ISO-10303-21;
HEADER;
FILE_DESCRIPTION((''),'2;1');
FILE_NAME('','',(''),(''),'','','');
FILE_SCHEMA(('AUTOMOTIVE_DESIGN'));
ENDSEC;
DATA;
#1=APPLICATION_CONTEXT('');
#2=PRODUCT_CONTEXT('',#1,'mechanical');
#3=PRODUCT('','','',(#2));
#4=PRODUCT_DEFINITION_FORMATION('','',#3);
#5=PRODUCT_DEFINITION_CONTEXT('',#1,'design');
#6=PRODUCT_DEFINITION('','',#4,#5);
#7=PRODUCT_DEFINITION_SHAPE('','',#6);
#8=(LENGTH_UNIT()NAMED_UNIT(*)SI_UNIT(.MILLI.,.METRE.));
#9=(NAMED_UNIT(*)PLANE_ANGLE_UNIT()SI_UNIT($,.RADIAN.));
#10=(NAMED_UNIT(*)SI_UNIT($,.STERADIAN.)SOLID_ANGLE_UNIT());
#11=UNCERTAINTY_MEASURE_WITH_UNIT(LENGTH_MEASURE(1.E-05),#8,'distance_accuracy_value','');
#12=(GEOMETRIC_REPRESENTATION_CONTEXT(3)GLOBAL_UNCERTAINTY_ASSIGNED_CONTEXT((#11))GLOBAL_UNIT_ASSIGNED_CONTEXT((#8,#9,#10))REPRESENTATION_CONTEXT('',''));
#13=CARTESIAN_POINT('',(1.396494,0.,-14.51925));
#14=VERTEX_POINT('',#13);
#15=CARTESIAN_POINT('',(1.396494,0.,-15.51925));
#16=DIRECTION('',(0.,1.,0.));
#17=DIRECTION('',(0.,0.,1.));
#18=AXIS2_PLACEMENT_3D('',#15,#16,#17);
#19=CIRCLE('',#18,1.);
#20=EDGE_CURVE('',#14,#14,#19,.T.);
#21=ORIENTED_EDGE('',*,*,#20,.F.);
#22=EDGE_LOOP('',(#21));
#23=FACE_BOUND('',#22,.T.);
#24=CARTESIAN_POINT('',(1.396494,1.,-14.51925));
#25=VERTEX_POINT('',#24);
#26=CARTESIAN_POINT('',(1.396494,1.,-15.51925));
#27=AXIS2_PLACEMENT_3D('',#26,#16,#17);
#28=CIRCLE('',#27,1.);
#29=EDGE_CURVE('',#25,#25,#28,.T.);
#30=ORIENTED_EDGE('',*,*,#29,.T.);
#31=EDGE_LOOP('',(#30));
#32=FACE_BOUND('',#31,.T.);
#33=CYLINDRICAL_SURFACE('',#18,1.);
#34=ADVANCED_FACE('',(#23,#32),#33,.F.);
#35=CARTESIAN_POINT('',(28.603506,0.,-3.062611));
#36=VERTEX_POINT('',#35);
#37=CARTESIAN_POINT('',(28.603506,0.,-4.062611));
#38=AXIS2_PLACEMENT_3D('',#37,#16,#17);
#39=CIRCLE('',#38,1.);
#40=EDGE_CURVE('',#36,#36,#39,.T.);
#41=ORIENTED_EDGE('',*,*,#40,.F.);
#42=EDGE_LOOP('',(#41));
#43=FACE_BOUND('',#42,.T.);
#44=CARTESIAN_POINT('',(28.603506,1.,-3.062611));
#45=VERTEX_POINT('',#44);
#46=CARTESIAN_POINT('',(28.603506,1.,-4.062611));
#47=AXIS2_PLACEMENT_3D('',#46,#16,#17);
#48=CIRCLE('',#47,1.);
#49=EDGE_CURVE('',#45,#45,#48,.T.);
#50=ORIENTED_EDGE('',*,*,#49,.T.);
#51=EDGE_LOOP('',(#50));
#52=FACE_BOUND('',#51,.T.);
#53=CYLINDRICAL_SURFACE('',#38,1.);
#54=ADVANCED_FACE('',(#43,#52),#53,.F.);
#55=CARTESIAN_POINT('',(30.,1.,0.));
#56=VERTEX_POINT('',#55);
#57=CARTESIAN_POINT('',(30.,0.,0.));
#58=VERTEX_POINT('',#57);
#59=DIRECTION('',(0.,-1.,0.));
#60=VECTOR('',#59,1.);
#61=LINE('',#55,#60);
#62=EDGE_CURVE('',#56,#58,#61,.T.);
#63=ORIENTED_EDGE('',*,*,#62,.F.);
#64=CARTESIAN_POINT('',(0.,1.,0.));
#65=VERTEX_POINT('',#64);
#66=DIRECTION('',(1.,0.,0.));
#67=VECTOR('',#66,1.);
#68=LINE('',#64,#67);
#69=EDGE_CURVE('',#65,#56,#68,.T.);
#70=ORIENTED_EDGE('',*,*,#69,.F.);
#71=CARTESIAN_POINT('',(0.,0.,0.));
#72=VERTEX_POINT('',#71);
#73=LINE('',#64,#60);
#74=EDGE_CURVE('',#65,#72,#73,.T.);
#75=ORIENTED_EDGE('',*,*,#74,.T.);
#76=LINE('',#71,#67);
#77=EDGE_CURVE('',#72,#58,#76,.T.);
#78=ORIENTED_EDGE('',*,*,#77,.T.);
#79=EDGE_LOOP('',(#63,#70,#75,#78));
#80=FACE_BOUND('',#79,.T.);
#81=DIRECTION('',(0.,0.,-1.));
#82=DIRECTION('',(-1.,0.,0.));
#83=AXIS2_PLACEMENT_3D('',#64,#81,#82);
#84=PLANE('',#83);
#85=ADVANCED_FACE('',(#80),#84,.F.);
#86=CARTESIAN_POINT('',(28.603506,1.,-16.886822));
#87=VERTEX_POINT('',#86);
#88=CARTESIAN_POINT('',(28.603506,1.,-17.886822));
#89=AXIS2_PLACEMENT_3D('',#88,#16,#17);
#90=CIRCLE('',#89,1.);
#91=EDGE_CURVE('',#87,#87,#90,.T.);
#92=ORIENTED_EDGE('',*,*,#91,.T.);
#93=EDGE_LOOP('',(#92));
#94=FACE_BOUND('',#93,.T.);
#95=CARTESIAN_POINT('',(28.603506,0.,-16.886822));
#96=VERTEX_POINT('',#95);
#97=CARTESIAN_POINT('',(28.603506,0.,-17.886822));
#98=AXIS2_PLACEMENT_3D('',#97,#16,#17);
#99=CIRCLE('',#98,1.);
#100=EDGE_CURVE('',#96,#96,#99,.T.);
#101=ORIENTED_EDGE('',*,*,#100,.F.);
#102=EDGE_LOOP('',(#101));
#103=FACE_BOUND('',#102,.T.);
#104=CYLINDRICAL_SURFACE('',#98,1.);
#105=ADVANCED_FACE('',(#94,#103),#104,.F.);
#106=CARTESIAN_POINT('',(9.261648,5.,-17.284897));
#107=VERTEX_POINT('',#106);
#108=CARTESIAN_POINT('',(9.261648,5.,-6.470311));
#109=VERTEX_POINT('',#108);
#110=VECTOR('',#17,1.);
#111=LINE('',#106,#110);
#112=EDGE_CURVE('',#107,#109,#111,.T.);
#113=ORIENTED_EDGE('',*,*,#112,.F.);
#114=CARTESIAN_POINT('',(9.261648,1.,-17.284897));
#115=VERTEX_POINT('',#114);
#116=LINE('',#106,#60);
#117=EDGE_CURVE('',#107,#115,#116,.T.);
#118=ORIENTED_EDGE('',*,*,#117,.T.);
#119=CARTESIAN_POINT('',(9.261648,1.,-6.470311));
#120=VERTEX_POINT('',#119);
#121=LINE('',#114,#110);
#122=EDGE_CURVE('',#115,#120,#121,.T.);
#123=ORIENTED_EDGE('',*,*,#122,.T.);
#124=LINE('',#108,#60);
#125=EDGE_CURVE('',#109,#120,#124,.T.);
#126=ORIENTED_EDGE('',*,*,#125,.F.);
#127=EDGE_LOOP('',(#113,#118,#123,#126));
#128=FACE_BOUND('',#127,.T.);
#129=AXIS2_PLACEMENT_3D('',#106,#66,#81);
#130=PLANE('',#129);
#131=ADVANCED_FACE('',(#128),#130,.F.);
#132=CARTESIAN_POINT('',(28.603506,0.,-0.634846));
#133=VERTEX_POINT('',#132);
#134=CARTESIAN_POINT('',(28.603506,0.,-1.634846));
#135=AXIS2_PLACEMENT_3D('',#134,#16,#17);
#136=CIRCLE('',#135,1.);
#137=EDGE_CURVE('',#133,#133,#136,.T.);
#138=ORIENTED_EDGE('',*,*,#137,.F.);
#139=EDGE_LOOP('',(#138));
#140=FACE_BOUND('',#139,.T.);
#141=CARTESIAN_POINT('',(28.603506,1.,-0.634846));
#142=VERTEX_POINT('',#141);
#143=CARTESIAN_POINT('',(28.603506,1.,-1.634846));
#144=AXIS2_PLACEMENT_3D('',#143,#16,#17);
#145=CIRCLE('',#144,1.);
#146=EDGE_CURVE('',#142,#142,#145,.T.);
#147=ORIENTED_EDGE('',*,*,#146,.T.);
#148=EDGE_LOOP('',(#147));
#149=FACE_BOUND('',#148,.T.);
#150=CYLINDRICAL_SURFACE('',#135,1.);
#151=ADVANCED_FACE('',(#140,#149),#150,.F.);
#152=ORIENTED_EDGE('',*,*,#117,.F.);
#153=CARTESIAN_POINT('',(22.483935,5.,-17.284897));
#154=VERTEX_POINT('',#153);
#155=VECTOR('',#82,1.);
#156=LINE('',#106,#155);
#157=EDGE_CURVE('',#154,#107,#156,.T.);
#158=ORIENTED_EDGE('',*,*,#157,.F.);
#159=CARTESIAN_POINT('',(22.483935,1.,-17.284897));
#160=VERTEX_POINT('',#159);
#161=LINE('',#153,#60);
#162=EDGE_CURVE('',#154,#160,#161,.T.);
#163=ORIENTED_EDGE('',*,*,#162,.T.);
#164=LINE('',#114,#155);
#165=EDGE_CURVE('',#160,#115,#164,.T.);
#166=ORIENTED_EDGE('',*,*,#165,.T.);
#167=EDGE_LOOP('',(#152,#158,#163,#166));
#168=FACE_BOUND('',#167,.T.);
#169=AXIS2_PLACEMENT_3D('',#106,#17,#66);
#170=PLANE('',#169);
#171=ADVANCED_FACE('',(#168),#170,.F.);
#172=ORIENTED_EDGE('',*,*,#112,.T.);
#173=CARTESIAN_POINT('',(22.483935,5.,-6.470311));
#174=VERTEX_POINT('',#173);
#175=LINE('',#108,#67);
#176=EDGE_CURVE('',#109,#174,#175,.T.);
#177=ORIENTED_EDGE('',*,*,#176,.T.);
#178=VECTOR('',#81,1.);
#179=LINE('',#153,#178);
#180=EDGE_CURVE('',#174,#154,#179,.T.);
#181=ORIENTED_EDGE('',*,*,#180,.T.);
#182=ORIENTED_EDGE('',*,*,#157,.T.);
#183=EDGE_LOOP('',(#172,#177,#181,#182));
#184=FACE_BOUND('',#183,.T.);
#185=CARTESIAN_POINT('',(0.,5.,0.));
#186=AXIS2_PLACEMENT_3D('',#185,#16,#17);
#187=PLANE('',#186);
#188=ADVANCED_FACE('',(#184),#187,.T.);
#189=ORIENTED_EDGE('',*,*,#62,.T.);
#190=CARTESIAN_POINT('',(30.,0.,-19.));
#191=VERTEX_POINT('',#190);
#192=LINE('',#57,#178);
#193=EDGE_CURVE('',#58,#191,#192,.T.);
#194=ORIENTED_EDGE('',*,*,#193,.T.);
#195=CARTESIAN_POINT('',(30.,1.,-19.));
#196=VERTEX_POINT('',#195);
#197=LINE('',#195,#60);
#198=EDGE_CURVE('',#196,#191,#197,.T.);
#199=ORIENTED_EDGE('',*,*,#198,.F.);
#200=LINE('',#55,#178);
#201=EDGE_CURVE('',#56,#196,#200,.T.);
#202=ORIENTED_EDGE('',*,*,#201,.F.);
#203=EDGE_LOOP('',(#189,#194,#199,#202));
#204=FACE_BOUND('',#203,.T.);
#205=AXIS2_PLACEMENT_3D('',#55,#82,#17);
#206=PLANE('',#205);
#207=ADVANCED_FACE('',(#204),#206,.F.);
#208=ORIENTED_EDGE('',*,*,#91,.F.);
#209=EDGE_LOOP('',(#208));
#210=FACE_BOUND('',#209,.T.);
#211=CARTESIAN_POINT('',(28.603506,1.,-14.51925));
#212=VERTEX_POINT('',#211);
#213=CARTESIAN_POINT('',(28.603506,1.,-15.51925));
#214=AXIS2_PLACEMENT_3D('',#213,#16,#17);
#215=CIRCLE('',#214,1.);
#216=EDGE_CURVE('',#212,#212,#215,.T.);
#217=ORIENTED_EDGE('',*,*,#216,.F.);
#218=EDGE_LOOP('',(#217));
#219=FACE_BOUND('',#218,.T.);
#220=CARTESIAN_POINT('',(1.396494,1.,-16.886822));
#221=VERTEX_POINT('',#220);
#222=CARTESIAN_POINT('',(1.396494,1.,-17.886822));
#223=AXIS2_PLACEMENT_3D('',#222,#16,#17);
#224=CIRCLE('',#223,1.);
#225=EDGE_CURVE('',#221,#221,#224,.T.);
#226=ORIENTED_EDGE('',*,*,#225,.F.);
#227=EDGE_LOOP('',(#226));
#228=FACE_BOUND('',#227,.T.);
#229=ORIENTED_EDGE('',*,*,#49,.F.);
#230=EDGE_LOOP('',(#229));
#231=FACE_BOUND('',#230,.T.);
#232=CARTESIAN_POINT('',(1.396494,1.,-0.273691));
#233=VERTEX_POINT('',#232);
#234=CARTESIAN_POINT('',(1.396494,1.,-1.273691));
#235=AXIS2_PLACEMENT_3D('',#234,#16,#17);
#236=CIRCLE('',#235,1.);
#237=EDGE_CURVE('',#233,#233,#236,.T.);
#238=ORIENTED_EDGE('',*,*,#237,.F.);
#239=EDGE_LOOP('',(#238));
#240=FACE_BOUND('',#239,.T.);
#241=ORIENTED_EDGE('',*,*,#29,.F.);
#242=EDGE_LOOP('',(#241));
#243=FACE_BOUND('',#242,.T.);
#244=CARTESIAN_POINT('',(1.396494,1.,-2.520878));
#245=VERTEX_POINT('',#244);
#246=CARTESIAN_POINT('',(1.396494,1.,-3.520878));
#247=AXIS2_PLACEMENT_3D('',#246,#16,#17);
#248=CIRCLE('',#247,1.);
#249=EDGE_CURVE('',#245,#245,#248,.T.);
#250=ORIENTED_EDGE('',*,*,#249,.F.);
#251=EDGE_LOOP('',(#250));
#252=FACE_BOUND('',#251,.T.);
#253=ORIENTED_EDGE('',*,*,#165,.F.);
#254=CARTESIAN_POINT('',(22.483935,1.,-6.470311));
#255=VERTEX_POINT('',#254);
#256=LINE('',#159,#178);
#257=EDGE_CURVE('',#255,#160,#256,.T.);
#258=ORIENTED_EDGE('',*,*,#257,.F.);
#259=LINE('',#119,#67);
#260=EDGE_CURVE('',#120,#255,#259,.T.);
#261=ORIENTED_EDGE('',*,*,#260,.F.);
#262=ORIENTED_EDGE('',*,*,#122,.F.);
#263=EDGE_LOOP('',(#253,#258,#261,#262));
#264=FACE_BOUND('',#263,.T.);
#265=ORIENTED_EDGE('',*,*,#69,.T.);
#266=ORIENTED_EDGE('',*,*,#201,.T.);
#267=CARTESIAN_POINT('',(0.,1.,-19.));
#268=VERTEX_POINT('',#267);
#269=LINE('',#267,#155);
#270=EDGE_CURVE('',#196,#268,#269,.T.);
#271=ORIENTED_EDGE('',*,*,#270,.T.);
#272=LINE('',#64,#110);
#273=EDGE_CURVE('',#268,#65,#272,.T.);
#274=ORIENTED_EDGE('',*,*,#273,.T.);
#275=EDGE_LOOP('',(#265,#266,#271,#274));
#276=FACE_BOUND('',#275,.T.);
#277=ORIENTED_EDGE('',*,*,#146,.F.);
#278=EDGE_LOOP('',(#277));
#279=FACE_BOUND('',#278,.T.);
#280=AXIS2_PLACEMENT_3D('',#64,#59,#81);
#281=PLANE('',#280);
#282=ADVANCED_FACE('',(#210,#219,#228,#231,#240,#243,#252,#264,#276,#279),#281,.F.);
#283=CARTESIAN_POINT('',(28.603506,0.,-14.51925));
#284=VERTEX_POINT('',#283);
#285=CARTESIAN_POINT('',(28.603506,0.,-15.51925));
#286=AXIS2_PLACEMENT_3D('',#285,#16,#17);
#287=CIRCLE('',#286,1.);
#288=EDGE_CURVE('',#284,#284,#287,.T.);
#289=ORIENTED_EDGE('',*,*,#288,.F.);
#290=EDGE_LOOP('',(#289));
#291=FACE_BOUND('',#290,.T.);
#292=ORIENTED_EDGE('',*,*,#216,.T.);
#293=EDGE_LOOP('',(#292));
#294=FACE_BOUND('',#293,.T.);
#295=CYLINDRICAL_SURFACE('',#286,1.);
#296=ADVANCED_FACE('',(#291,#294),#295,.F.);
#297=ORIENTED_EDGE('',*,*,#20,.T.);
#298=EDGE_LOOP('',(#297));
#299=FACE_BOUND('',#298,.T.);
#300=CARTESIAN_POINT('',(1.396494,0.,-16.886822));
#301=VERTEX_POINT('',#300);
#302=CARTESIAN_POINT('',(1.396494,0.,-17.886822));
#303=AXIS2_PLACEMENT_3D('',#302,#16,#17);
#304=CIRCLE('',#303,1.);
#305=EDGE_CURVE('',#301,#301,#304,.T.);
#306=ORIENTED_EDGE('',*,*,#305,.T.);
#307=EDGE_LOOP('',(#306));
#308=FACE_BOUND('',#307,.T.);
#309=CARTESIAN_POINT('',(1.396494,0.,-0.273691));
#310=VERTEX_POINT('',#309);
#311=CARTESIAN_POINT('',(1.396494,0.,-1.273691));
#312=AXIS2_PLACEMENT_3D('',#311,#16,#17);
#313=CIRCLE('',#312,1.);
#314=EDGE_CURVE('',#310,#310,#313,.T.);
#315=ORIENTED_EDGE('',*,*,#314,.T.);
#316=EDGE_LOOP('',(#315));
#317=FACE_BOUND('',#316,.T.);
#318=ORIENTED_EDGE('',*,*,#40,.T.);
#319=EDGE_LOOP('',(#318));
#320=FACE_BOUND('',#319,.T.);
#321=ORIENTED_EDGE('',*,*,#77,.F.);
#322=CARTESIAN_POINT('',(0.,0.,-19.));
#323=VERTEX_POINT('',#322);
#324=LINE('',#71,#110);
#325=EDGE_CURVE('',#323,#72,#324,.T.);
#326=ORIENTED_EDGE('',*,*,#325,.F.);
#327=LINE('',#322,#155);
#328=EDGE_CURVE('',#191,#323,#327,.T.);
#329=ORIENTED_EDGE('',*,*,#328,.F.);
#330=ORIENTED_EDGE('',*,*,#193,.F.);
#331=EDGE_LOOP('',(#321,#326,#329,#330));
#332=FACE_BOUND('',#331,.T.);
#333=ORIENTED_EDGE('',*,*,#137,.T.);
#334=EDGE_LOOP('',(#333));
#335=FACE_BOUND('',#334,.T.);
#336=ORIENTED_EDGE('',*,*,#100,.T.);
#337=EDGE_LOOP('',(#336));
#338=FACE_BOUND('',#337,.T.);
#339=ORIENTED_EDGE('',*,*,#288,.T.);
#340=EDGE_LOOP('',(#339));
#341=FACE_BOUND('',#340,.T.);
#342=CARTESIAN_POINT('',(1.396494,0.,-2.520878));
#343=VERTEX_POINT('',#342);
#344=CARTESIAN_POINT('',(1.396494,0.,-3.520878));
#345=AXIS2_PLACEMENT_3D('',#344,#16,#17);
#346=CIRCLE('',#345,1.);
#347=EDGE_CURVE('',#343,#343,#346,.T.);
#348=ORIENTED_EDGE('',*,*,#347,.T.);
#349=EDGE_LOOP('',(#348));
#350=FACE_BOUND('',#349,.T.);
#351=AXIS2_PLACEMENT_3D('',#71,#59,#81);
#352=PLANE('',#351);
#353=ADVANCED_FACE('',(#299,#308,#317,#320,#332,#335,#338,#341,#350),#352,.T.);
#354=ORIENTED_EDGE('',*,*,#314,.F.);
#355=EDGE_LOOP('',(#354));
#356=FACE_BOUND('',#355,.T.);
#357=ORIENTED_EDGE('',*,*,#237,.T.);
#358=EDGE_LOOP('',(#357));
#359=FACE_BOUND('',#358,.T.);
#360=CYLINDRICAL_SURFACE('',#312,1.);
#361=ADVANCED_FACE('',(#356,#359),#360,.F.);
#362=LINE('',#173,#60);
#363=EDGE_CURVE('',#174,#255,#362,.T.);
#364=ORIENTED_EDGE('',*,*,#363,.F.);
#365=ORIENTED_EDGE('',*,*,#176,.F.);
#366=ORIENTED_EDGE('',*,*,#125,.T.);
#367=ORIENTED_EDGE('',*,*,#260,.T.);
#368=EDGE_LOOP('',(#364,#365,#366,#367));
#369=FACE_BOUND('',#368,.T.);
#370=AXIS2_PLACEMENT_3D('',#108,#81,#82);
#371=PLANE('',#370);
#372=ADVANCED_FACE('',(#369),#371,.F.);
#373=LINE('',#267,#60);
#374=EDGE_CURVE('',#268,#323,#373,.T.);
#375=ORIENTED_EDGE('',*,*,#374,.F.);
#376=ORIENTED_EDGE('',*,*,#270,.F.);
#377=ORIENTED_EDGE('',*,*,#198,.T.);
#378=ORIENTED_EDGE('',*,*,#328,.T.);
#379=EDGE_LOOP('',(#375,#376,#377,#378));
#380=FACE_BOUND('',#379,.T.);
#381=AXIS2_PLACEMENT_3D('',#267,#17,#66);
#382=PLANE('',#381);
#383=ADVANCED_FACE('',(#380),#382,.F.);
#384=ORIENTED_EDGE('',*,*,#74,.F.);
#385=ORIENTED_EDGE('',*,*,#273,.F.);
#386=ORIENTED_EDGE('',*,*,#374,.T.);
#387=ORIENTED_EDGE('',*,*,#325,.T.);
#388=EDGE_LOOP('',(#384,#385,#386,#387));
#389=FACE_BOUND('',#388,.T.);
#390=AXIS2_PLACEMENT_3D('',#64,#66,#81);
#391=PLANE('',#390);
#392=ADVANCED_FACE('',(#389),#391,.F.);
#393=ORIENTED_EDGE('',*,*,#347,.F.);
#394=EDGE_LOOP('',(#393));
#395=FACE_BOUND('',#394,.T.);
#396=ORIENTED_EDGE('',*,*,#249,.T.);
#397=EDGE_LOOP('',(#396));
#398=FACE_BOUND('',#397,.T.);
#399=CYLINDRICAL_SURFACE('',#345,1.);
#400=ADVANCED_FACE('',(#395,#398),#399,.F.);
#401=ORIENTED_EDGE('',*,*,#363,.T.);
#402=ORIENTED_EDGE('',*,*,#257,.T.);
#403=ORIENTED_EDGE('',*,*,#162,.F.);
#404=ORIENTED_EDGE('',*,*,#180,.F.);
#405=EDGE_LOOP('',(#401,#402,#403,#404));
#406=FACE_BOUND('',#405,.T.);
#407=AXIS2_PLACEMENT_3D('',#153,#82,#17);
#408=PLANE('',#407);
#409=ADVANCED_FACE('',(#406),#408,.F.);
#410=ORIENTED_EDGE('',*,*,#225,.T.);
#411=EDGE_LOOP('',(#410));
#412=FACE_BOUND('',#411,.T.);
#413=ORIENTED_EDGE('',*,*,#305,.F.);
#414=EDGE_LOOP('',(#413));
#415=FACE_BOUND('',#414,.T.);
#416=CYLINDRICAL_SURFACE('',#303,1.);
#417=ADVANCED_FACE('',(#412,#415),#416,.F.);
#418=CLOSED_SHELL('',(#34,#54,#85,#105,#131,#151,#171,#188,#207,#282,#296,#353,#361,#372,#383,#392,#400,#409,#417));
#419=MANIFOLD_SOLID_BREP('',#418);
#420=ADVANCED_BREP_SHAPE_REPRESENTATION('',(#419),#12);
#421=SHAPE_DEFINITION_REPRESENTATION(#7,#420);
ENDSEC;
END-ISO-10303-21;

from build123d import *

# Parameters (mm, degrees)
SKETCH1_W           = 30
SKETCH1_H           = 19
BOSS_EXTRUDE1_DEPTH = 1
SKETCH2_W           = 13.222286428
SKETCH2_H           = 10.81458632
BOSS_EXTRUDE2_DEPTH = 4
SKETCH3_R           = 1
CUT_EXTRUDE1_DEPTH  = 36.73513677


with BuildPart() as part:
    # Sketch1 → Boss-Extrude1 (new body)
    with BuildSketch(Plane(origin=(0, 0, 0), x_dir=(1, 0, 0), z_dir=(0, 1, 0))):
        with Locations((15, 9.5)):
            Rectangle(SKETCH1_W, SKETCH1_H)
    extrude(amount=BOSS_EXTRUDE1_DEPTH)

    # Sketch2 → Boss-Extrude2 (add)
    with BuildSketch(Plane(origin=(0, 1, 0), x_dir=(1, 0, 0), z_dir=(0, 1, 0))):
        with Locations((15.872791289, 11.877603857)):
            Rectangle(SKETCH2_W, SKETCH2_H)
    extrude(amount=BOSS_EXTRUDE2_DEPTH)

    # Sketch3 → Cut-Extrude1 (cut, through all)
    with BuildSketch(Plane(origin=(0, 1, 0), x_dir=(1, 0, 0), z_dir=(0, 1, 0))):
        with Locations(Location((1.396494389, 17.886822044, 0), (0, 0, 270))):
            Circle(SKETCH3_R)
        with Locations(Location((1.396494389, 15.519250271, 0), (0, 0, 270))):
            Circle(SKETCH3_R)
        with Locations(Location((1.396494389, 3.520878065, 0), (0, 0, 270))):
            Circle(SKETCH3_R)
        with Locations(Location((1.396494389, 1.273691297, 0), (0, 0, 270))):
            Circle(SKETCH3_R)
        with Locations(Location((28.603505611, 1.634846313, 0), (0, 0, 270))):
            Circle(SKETCH3_R)
        with Locations(Location((28.603505611, 4.062610589, 0), (0, 0, 270))):
            Circle(SKETCH3_R)
        with Locations(Location((28.603505611, 17.886822044, 0), (0, 0, 270))):
            Circle(SKETCH3_R)
        with Locations(Location((28.603505611, 15.519250271, 0), (0, 0, 270))):
            Circle(SKETCH3_R)
    extrude(amount=-CUT_EXTRUDE1_DEPTH, mode=Mode.SUBTRACT)


solid = part.part
